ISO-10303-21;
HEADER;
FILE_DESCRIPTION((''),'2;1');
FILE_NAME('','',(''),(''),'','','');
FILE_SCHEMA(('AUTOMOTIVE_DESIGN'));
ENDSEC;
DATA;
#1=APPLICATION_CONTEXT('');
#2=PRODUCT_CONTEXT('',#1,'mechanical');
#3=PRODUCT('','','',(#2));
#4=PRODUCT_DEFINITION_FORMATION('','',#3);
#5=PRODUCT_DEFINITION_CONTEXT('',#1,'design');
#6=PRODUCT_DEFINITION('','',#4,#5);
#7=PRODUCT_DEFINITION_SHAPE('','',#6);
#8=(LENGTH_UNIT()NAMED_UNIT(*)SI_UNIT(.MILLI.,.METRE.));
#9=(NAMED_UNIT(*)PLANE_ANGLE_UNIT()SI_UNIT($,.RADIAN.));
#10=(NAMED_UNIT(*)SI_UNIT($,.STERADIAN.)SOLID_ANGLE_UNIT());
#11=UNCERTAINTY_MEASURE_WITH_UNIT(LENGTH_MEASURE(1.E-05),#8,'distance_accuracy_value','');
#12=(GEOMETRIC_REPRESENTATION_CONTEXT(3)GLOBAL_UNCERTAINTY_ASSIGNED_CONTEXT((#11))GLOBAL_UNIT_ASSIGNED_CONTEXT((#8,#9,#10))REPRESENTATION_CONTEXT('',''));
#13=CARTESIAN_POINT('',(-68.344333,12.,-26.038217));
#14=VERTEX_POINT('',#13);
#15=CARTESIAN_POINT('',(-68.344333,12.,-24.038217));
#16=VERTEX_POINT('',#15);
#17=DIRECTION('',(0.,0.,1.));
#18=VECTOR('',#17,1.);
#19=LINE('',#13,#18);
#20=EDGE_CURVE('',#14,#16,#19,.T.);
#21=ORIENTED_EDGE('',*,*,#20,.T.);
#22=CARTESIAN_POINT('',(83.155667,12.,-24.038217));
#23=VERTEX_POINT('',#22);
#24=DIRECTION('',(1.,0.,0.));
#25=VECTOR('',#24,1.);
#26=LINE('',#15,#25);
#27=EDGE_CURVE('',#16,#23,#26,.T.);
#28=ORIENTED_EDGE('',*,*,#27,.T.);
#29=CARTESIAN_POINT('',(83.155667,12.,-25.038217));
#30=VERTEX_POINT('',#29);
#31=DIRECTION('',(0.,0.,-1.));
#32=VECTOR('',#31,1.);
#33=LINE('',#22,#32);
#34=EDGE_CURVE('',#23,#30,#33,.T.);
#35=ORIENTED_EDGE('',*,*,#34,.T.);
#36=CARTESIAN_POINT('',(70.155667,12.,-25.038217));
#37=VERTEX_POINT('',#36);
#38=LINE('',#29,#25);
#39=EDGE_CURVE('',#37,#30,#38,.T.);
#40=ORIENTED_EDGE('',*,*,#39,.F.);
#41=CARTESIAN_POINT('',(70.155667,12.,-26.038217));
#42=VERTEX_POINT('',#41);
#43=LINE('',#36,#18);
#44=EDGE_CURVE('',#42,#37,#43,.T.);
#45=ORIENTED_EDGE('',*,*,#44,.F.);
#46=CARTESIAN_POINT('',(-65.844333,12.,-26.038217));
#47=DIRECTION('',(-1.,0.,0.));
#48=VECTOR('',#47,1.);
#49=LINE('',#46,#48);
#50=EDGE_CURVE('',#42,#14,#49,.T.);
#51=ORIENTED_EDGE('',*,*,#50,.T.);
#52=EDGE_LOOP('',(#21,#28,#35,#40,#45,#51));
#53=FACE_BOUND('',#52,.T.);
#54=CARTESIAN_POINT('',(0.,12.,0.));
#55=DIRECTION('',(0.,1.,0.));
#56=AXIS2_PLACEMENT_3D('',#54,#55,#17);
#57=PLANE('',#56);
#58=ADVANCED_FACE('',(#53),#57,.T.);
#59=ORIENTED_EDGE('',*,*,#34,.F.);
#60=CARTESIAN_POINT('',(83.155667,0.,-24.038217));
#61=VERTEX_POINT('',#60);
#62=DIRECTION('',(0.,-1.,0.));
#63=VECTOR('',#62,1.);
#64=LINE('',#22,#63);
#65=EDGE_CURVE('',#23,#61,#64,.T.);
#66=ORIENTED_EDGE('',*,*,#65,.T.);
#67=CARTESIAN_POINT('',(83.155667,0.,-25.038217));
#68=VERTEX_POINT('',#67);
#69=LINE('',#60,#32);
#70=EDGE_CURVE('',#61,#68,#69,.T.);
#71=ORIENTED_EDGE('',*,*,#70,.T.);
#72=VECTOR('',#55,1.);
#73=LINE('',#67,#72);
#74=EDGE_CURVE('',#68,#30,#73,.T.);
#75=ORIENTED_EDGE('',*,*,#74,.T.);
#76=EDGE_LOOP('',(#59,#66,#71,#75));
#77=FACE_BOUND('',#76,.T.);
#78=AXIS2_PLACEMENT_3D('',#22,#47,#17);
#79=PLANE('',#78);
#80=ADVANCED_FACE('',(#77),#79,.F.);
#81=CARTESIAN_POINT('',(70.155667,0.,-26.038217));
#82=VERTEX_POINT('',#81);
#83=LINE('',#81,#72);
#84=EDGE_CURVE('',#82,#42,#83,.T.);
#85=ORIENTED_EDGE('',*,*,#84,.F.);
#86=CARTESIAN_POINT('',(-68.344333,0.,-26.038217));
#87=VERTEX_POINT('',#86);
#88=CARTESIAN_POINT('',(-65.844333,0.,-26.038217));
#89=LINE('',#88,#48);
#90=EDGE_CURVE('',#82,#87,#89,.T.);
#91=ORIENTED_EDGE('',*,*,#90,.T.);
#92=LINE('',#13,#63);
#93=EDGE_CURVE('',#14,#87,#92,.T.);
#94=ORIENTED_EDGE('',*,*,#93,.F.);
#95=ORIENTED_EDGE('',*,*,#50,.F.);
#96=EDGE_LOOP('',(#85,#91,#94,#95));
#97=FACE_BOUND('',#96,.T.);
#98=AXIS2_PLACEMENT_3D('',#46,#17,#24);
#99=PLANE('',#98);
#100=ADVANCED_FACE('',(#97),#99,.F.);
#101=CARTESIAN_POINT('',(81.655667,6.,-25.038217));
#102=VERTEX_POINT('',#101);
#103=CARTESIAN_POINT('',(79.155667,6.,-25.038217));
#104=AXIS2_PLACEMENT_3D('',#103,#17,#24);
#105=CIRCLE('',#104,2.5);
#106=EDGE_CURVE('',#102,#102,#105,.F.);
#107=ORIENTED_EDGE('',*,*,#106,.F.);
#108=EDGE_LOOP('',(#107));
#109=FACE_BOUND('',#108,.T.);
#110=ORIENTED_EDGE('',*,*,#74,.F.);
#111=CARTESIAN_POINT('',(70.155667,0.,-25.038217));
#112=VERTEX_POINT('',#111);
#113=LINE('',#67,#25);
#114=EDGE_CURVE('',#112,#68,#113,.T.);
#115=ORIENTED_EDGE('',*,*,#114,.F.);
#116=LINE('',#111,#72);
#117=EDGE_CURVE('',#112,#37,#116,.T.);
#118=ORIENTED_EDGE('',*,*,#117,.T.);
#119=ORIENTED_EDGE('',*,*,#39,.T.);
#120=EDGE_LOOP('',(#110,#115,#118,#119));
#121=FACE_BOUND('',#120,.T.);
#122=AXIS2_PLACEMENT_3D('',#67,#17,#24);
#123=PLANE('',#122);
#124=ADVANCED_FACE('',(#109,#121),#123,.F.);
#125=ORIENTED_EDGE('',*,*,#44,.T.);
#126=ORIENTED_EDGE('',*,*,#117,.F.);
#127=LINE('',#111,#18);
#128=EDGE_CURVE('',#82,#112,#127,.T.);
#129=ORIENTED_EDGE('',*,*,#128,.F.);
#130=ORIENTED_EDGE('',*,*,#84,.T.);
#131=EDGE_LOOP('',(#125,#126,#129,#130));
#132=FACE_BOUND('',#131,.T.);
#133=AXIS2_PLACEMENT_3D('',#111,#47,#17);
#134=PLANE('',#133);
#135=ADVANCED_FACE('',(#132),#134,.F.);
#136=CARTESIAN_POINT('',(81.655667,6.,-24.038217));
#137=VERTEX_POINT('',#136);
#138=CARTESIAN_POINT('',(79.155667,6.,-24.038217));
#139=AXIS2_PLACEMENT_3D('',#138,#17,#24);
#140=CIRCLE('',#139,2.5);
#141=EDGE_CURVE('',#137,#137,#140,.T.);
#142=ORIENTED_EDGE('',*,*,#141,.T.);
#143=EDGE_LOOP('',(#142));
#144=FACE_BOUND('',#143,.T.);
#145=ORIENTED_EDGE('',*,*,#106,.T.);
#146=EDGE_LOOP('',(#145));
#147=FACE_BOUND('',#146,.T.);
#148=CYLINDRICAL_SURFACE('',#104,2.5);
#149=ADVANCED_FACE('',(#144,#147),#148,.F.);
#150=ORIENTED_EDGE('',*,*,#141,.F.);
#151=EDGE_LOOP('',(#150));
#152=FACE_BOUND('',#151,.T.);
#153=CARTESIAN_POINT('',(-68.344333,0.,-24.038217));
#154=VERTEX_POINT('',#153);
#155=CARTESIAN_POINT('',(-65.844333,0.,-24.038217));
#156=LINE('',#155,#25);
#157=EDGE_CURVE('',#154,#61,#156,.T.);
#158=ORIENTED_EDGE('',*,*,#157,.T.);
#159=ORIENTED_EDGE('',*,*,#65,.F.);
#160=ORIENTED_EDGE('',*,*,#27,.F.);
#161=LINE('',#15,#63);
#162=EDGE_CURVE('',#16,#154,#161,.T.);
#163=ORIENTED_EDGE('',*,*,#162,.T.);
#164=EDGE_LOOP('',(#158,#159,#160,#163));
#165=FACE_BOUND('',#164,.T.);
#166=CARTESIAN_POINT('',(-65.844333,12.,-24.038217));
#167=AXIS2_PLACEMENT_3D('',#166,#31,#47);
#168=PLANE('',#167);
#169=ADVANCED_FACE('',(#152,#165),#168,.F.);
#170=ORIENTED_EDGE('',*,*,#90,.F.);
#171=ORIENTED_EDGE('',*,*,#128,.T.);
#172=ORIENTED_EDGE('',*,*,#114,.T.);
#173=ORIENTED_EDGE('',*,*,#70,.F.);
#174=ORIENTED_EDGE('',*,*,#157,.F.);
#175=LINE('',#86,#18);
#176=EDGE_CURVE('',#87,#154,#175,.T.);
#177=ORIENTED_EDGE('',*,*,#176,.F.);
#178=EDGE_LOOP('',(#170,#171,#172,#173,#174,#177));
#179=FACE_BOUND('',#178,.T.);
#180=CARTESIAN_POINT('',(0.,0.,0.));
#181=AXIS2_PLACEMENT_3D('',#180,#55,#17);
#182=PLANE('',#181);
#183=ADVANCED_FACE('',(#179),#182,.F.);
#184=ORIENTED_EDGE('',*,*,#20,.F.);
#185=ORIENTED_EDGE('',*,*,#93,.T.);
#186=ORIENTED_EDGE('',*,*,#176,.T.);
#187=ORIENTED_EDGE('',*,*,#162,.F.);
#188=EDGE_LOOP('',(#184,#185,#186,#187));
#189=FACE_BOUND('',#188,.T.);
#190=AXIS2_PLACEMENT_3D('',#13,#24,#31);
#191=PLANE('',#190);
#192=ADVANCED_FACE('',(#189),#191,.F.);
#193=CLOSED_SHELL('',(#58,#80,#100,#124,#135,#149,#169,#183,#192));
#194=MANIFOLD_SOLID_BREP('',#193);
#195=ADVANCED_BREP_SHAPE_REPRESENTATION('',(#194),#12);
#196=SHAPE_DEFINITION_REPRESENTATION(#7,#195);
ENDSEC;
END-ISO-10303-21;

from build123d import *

# Parameters (mm, degrees)
SALIENTE_EXTRUIR1_DEPTH = 12
CROQUIS4_R              = 2.5
CORTAR_EXTRUIR1_DEPTH   = 1
CROQUIS5_R              = 1.5
CORTAR_EXTRUIR2_DEPTH   = 1
CROQUIS6_W              = 13
CROQUIS6_H              = 1
CORTAR_EXTRUIR3_DEPTH   = 12


with BuildPart() as part:
    # Croquis1 → Saliente-Extruir1 (new body)
    with BuildSketch(Plane(origin=(0, 0, 0), x_dir=(1, 0, 0), z_dir=(0, 1, 0))):
        Polygon((-65.844332906, 24.038216561), (83.155667094, 24.038216561), (83.155667094, 26.038216561), (-65.844332906, 26.038216561), (-68.344332906, 26.038216561), (-68.344332906, 24.038216561), align=None)
    extrude(amount=SALIENTE_EXTRUIR1_DEPTH)

    # Croquis4 → Cortar-Extruir1 (cut)
    with BuildSketch(Plane.XY.offset(-24.038216561)):
        with Locations((79.155667094, 6)):
            Circle(CROQUIS4_R)
    extrude(amount=-CORTAR_EXTRUIR1_DEPTH, mode=Mode.SUBTRACT)

    # Croquis5 → Cortar-Extruir2 (cut)
    with BuildSketch(Plane.XY.offset(-25.038216561)):
        with Locations((79.155667094, 6)):
            Circle(CROQUIS5_R)
    extrude(amount=-CORTAR_EXTRUIR2_DEPTH, mode=Mode.SUBTRACT)

    # Croquis6 → Cortar-Extruir3 (cut)
    with BuildSketch(Plane(origin=(0, 12, 0), x_dir=(1, 0, 0), z_dir=(0, 1, 0))):
        with Locations((76.655667094, 25.538216561)):
            Rectangle(CROQUIS6_W, CROQUIS6_H)
    extrude(amount=-CORTAR_EXTRUIR3_DEPTH, mode=Mode.SUBTRACT)


solid = part.part
